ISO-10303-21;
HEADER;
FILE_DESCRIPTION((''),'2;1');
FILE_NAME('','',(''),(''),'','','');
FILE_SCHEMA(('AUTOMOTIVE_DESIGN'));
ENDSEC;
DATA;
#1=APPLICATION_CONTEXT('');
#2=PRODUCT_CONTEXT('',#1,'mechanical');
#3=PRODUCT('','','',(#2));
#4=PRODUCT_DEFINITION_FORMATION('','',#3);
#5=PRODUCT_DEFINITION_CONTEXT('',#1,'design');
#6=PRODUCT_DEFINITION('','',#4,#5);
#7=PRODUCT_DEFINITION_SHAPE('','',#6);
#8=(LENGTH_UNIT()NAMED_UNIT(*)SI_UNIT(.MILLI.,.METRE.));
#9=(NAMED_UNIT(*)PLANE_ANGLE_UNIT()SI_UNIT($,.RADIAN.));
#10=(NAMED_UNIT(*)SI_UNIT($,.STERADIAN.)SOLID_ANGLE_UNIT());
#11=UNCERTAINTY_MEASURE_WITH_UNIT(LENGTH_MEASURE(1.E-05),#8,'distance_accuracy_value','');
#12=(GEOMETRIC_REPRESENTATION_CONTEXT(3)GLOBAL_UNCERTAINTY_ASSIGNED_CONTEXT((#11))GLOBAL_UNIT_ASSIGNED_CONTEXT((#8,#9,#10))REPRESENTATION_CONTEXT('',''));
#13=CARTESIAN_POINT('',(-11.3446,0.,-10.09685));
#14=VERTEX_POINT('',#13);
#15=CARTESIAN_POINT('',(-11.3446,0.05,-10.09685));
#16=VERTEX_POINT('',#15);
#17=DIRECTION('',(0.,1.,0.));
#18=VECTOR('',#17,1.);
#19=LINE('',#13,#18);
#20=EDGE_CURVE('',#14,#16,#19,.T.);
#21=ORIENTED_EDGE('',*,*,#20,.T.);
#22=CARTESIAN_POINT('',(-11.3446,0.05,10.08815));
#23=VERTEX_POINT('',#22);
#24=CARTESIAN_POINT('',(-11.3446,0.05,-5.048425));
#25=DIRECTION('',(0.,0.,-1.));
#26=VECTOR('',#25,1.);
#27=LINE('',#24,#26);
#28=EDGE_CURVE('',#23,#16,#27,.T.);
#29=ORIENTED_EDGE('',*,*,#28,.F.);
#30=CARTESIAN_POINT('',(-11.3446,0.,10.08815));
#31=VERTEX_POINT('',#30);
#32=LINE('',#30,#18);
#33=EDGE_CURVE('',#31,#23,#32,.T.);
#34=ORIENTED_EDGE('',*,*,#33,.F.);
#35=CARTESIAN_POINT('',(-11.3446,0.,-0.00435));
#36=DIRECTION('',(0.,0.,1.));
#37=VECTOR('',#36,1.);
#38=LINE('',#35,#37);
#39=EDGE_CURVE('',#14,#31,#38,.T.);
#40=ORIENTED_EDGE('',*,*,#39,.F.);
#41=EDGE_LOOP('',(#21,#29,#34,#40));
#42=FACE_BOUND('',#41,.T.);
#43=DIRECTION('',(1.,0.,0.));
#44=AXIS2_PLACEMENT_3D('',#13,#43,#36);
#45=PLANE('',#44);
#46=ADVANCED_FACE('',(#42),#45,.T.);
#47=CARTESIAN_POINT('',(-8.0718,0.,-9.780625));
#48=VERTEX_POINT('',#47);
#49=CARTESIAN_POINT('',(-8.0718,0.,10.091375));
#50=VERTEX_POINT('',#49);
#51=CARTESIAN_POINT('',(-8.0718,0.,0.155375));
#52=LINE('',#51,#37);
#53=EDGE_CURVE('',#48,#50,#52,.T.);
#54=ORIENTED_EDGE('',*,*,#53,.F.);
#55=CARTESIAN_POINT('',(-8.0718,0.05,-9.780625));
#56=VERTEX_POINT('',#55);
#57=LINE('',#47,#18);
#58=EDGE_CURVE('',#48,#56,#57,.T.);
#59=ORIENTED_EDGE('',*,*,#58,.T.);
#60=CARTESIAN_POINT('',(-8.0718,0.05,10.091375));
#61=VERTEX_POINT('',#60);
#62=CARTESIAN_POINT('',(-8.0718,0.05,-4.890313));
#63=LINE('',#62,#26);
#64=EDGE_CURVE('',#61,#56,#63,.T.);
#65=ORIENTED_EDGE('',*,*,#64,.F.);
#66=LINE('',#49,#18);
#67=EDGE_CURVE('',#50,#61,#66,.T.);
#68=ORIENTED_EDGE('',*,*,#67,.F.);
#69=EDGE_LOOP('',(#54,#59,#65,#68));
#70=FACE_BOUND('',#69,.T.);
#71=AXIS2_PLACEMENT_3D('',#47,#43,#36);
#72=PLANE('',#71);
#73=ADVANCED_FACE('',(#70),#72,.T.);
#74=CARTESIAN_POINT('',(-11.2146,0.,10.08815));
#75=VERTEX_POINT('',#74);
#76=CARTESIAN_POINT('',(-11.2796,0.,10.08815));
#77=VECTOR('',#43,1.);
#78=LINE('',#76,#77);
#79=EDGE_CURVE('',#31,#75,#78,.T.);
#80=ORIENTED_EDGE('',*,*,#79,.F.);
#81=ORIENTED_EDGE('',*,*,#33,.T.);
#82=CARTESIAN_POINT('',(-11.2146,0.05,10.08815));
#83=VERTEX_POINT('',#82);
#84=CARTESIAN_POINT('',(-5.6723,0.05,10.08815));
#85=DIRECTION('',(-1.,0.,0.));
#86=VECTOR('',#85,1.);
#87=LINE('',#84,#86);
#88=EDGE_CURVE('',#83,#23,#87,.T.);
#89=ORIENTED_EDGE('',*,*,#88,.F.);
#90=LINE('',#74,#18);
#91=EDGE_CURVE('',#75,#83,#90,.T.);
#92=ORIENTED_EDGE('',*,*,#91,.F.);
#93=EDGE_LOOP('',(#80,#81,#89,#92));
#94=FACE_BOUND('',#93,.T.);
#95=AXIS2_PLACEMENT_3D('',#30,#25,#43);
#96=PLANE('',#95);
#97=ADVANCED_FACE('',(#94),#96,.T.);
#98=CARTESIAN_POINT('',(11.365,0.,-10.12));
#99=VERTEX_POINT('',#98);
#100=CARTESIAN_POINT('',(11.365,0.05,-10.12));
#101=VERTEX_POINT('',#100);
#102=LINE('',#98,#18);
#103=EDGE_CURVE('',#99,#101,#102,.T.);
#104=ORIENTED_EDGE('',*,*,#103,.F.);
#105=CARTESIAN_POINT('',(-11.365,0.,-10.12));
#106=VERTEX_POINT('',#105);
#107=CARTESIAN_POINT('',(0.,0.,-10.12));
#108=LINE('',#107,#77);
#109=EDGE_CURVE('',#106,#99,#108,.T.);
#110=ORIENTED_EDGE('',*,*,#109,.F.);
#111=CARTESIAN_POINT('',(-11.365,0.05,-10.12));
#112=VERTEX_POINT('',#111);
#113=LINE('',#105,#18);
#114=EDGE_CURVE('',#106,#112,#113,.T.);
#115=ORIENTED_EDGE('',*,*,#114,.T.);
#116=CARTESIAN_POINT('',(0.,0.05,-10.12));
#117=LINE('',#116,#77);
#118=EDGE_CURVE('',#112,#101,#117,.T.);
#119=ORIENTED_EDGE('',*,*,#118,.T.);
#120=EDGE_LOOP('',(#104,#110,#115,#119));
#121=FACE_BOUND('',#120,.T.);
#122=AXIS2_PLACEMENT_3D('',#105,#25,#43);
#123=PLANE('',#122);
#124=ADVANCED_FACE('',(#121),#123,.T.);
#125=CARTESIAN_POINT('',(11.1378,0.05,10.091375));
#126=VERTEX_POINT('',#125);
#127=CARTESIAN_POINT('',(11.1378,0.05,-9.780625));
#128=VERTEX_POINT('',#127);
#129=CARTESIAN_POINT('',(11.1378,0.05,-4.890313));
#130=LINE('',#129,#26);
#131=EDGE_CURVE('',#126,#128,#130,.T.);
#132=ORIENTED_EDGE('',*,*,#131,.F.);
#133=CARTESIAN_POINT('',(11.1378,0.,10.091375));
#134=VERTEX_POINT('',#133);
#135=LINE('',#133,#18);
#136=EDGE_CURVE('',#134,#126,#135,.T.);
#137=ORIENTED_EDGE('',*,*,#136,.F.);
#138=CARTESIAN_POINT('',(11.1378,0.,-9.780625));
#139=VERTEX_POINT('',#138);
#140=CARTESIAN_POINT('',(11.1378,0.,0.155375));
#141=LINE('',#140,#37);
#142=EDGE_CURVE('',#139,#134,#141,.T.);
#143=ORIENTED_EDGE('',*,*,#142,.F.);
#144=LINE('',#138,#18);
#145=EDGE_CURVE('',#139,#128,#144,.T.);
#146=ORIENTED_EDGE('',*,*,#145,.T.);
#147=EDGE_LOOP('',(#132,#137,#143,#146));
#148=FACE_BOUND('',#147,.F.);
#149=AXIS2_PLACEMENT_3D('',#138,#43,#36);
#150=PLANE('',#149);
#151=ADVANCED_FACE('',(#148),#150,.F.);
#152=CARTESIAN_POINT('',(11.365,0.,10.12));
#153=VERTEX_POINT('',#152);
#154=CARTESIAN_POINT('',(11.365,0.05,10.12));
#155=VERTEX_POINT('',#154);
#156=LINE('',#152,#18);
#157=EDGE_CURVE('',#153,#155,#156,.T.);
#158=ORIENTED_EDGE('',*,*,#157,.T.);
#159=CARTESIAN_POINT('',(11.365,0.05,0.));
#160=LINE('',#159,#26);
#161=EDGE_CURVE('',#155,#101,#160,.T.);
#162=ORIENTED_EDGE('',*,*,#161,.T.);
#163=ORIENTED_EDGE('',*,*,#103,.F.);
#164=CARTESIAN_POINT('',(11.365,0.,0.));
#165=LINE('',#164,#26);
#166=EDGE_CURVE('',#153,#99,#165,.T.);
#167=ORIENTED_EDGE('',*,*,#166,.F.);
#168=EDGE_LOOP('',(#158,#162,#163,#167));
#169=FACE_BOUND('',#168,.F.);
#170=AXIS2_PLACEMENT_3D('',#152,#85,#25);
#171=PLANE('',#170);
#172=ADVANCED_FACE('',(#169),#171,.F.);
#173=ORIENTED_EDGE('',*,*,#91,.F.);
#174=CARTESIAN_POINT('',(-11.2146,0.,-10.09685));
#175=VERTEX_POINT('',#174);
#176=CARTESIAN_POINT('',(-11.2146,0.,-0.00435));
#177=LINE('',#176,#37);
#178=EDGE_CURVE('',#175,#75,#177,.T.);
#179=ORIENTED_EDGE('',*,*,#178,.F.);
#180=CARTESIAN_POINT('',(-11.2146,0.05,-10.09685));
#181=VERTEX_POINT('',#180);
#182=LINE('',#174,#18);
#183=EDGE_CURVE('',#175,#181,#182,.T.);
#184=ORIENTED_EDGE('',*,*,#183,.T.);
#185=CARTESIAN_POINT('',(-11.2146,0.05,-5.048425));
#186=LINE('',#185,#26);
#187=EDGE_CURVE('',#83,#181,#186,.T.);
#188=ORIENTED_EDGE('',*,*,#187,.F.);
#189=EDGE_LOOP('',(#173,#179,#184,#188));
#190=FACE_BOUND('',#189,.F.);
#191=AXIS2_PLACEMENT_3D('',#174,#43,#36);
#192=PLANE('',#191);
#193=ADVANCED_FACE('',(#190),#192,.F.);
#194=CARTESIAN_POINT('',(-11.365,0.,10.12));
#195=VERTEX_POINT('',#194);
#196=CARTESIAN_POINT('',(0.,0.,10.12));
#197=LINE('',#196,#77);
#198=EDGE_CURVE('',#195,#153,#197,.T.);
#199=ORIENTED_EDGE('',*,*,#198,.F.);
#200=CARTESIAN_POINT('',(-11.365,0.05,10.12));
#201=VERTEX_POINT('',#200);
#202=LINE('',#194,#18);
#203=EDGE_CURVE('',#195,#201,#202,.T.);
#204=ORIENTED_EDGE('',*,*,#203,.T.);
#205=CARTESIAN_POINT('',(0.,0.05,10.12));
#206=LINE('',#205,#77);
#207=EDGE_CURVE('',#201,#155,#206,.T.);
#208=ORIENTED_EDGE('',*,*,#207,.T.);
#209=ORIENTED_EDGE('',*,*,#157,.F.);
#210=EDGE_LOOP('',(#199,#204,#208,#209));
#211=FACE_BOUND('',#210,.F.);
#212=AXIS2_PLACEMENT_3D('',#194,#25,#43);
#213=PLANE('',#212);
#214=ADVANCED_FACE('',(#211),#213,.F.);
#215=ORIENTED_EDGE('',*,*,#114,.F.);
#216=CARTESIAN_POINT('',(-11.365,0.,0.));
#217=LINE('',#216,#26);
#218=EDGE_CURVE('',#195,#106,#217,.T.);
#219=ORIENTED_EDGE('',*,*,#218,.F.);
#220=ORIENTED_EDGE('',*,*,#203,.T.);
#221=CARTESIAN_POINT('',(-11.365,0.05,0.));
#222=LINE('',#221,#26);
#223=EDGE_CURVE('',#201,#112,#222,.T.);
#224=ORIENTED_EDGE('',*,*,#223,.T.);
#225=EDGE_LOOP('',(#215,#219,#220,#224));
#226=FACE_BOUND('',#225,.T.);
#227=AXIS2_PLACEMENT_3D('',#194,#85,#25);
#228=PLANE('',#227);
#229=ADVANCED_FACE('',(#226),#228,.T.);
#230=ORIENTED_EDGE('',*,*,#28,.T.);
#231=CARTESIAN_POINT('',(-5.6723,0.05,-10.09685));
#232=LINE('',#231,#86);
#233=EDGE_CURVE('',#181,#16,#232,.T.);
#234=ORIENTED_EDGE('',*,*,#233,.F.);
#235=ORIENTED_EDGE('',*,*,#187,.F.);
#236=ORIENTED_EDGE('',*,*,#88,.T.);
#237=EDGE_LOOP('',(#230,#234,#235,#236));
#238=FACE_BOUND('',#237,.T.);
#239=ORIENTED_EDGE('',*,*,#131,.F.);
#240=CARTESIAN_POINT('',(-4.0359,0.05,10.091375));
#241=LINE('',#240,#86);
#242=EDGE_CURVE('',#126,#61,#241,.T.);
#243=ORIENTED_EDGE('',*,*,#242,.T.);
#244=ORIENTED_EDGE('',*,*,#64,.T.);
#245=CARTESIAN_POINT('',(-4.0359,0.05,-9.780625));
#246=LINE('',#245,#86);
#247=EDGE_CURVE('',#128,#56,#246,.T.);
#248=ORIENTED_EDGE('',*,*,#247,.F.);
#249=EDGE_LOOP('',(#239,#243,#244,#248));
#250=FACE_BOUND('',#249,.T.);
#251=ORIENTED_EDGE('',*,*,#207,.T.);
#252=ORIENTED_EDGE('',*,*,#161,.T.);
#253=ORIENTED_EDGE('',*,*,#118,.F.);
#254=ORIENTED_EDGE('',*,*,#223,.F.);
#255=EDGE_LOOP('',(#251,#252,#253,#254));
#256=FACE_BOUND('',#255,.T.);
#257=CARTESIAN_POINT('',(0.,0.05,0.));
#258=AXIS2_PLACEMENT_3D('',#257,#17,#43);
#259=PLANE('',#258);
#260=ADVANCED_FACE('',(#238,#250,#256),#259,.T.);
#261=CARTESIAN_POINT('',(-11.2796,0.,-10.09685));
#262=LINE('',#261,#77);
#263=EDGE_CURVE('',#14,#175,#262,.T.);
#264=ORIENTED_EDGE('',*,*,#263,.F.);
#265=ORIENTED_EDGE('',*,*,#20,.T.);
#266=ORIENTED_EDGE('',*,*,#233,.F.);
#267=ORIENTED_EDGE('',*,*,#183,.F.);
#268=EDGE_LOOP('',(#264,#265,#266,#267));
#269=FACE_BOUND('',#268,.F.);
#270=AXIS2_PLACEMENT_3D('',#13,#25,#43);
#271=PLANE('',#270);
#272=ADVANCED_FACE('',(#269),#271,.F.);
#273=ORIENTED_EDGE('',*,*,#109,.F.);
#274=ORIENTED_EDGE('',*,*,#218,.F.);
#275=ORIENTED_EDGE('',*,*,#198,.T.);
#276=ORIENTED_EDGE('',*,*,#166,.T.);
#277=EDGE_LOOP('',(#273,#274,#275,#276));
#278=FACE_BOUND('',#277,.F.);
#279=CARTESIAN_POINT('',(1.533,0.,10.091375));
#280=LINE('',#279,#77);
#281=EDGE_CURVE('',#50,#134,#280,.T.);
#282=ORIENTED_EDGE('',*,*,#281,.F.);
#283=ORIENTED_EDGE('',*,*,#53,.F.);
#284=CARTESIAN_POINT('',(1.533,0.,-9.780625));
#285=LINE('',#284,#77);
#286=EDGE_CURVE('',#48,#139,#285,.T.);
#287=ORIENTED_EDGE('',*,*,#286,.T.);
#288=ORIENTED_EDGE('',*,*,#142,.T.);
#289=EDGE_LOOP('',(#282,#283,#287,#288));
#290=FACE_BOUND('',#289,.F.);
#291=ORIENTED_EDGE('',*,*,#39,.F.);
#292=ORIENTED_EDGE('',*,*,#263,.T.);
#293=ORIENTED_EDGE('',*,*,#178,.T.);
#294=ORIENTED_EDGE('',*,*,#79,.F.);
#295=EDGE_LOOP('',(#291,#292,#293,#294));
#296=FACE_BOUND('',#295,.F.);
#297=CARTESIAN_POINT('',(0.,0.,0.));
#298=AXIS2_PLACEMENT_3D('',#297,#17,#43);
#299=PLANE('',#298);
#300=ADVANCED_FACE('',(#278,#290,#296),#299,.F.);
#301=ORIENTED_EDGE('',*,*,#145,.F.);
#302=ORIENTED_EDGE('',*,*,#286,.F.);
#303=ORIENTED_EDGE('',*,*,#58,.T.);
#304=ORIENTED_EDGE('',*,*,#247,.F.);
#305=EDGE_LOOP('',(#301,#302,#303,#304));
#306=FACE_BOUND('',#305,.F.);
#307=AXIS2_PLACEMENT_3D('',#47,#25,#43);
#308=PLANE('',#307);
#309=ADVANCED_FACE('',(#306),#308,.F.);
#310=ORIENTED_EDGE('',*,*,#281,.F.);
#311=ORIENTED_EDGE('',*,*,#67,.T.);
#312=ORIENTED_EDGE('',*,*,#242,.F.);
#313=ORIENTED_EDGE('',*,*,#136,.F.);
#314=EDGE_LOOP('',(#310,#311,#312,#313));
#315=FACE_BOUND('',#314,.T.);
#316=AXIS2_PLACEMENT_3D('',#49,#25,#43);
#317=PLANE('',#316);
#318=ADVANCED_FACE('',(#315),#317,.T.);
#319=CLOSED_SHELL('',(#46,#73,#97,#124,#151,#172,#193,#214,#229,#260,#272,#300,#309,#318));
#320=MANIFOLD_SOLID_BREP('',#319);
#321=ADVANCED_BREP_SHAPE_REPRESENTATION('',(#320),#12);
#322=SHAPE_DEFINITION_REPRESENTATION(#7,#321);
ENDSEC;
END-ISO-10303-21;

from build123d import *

# Parameters (mm, degrees)
SKETCH1_W          = 22.73
SKETCH1_H          = 20.24
EXTRUDE1_DEPTH     = 0.05
SKETCH2_W          = 0.13
SKETCH2_H          = 20.185
CUT_EXTRUDE1_DEPTH = 1.05
SKETCH3_W          = 19.2096
SKETCH3_H          = 19.872
CUT_EXTRUDE2_DEPTH = 1.05


with BuildPart() as part:
    # Sketch1 → Extrude1 (new body)
    with BuildSketch(Plane(origin=(0, 0, 0), x_dir=(1, 0, 0), z_dir=(0, 1, 0))):
        Rectangle(SKETCH1_W, SKETCH1_H)
    extrude(amount=EXTRUDE1_DEPTH)

    # Sketch2 → Cut-Extrude1 (cut, through all)
    with BuildSketch(Plane.XZ):
        with Locations((-11.2796, -0.00435)):
            Rectangle(SKETCH2_W, SKETCH2_H)
    extrude(amount=-CUT_EXTRUDE1_DEPTH, mode=Mode.SUBTRACT)

    # Sketch3 → Cut-Extrude2 (cut, through all)
    with BuildSketch(Plane.XZ):
        with Locations((1.533, 0.155375)):
            Rectangle(SKETCH3_W, SKETCH3_H)
    extrude(amount=-CUT_EXTRUDE2_DEPTH, mode=Mode.SUBTRACT)


solid = part.part
